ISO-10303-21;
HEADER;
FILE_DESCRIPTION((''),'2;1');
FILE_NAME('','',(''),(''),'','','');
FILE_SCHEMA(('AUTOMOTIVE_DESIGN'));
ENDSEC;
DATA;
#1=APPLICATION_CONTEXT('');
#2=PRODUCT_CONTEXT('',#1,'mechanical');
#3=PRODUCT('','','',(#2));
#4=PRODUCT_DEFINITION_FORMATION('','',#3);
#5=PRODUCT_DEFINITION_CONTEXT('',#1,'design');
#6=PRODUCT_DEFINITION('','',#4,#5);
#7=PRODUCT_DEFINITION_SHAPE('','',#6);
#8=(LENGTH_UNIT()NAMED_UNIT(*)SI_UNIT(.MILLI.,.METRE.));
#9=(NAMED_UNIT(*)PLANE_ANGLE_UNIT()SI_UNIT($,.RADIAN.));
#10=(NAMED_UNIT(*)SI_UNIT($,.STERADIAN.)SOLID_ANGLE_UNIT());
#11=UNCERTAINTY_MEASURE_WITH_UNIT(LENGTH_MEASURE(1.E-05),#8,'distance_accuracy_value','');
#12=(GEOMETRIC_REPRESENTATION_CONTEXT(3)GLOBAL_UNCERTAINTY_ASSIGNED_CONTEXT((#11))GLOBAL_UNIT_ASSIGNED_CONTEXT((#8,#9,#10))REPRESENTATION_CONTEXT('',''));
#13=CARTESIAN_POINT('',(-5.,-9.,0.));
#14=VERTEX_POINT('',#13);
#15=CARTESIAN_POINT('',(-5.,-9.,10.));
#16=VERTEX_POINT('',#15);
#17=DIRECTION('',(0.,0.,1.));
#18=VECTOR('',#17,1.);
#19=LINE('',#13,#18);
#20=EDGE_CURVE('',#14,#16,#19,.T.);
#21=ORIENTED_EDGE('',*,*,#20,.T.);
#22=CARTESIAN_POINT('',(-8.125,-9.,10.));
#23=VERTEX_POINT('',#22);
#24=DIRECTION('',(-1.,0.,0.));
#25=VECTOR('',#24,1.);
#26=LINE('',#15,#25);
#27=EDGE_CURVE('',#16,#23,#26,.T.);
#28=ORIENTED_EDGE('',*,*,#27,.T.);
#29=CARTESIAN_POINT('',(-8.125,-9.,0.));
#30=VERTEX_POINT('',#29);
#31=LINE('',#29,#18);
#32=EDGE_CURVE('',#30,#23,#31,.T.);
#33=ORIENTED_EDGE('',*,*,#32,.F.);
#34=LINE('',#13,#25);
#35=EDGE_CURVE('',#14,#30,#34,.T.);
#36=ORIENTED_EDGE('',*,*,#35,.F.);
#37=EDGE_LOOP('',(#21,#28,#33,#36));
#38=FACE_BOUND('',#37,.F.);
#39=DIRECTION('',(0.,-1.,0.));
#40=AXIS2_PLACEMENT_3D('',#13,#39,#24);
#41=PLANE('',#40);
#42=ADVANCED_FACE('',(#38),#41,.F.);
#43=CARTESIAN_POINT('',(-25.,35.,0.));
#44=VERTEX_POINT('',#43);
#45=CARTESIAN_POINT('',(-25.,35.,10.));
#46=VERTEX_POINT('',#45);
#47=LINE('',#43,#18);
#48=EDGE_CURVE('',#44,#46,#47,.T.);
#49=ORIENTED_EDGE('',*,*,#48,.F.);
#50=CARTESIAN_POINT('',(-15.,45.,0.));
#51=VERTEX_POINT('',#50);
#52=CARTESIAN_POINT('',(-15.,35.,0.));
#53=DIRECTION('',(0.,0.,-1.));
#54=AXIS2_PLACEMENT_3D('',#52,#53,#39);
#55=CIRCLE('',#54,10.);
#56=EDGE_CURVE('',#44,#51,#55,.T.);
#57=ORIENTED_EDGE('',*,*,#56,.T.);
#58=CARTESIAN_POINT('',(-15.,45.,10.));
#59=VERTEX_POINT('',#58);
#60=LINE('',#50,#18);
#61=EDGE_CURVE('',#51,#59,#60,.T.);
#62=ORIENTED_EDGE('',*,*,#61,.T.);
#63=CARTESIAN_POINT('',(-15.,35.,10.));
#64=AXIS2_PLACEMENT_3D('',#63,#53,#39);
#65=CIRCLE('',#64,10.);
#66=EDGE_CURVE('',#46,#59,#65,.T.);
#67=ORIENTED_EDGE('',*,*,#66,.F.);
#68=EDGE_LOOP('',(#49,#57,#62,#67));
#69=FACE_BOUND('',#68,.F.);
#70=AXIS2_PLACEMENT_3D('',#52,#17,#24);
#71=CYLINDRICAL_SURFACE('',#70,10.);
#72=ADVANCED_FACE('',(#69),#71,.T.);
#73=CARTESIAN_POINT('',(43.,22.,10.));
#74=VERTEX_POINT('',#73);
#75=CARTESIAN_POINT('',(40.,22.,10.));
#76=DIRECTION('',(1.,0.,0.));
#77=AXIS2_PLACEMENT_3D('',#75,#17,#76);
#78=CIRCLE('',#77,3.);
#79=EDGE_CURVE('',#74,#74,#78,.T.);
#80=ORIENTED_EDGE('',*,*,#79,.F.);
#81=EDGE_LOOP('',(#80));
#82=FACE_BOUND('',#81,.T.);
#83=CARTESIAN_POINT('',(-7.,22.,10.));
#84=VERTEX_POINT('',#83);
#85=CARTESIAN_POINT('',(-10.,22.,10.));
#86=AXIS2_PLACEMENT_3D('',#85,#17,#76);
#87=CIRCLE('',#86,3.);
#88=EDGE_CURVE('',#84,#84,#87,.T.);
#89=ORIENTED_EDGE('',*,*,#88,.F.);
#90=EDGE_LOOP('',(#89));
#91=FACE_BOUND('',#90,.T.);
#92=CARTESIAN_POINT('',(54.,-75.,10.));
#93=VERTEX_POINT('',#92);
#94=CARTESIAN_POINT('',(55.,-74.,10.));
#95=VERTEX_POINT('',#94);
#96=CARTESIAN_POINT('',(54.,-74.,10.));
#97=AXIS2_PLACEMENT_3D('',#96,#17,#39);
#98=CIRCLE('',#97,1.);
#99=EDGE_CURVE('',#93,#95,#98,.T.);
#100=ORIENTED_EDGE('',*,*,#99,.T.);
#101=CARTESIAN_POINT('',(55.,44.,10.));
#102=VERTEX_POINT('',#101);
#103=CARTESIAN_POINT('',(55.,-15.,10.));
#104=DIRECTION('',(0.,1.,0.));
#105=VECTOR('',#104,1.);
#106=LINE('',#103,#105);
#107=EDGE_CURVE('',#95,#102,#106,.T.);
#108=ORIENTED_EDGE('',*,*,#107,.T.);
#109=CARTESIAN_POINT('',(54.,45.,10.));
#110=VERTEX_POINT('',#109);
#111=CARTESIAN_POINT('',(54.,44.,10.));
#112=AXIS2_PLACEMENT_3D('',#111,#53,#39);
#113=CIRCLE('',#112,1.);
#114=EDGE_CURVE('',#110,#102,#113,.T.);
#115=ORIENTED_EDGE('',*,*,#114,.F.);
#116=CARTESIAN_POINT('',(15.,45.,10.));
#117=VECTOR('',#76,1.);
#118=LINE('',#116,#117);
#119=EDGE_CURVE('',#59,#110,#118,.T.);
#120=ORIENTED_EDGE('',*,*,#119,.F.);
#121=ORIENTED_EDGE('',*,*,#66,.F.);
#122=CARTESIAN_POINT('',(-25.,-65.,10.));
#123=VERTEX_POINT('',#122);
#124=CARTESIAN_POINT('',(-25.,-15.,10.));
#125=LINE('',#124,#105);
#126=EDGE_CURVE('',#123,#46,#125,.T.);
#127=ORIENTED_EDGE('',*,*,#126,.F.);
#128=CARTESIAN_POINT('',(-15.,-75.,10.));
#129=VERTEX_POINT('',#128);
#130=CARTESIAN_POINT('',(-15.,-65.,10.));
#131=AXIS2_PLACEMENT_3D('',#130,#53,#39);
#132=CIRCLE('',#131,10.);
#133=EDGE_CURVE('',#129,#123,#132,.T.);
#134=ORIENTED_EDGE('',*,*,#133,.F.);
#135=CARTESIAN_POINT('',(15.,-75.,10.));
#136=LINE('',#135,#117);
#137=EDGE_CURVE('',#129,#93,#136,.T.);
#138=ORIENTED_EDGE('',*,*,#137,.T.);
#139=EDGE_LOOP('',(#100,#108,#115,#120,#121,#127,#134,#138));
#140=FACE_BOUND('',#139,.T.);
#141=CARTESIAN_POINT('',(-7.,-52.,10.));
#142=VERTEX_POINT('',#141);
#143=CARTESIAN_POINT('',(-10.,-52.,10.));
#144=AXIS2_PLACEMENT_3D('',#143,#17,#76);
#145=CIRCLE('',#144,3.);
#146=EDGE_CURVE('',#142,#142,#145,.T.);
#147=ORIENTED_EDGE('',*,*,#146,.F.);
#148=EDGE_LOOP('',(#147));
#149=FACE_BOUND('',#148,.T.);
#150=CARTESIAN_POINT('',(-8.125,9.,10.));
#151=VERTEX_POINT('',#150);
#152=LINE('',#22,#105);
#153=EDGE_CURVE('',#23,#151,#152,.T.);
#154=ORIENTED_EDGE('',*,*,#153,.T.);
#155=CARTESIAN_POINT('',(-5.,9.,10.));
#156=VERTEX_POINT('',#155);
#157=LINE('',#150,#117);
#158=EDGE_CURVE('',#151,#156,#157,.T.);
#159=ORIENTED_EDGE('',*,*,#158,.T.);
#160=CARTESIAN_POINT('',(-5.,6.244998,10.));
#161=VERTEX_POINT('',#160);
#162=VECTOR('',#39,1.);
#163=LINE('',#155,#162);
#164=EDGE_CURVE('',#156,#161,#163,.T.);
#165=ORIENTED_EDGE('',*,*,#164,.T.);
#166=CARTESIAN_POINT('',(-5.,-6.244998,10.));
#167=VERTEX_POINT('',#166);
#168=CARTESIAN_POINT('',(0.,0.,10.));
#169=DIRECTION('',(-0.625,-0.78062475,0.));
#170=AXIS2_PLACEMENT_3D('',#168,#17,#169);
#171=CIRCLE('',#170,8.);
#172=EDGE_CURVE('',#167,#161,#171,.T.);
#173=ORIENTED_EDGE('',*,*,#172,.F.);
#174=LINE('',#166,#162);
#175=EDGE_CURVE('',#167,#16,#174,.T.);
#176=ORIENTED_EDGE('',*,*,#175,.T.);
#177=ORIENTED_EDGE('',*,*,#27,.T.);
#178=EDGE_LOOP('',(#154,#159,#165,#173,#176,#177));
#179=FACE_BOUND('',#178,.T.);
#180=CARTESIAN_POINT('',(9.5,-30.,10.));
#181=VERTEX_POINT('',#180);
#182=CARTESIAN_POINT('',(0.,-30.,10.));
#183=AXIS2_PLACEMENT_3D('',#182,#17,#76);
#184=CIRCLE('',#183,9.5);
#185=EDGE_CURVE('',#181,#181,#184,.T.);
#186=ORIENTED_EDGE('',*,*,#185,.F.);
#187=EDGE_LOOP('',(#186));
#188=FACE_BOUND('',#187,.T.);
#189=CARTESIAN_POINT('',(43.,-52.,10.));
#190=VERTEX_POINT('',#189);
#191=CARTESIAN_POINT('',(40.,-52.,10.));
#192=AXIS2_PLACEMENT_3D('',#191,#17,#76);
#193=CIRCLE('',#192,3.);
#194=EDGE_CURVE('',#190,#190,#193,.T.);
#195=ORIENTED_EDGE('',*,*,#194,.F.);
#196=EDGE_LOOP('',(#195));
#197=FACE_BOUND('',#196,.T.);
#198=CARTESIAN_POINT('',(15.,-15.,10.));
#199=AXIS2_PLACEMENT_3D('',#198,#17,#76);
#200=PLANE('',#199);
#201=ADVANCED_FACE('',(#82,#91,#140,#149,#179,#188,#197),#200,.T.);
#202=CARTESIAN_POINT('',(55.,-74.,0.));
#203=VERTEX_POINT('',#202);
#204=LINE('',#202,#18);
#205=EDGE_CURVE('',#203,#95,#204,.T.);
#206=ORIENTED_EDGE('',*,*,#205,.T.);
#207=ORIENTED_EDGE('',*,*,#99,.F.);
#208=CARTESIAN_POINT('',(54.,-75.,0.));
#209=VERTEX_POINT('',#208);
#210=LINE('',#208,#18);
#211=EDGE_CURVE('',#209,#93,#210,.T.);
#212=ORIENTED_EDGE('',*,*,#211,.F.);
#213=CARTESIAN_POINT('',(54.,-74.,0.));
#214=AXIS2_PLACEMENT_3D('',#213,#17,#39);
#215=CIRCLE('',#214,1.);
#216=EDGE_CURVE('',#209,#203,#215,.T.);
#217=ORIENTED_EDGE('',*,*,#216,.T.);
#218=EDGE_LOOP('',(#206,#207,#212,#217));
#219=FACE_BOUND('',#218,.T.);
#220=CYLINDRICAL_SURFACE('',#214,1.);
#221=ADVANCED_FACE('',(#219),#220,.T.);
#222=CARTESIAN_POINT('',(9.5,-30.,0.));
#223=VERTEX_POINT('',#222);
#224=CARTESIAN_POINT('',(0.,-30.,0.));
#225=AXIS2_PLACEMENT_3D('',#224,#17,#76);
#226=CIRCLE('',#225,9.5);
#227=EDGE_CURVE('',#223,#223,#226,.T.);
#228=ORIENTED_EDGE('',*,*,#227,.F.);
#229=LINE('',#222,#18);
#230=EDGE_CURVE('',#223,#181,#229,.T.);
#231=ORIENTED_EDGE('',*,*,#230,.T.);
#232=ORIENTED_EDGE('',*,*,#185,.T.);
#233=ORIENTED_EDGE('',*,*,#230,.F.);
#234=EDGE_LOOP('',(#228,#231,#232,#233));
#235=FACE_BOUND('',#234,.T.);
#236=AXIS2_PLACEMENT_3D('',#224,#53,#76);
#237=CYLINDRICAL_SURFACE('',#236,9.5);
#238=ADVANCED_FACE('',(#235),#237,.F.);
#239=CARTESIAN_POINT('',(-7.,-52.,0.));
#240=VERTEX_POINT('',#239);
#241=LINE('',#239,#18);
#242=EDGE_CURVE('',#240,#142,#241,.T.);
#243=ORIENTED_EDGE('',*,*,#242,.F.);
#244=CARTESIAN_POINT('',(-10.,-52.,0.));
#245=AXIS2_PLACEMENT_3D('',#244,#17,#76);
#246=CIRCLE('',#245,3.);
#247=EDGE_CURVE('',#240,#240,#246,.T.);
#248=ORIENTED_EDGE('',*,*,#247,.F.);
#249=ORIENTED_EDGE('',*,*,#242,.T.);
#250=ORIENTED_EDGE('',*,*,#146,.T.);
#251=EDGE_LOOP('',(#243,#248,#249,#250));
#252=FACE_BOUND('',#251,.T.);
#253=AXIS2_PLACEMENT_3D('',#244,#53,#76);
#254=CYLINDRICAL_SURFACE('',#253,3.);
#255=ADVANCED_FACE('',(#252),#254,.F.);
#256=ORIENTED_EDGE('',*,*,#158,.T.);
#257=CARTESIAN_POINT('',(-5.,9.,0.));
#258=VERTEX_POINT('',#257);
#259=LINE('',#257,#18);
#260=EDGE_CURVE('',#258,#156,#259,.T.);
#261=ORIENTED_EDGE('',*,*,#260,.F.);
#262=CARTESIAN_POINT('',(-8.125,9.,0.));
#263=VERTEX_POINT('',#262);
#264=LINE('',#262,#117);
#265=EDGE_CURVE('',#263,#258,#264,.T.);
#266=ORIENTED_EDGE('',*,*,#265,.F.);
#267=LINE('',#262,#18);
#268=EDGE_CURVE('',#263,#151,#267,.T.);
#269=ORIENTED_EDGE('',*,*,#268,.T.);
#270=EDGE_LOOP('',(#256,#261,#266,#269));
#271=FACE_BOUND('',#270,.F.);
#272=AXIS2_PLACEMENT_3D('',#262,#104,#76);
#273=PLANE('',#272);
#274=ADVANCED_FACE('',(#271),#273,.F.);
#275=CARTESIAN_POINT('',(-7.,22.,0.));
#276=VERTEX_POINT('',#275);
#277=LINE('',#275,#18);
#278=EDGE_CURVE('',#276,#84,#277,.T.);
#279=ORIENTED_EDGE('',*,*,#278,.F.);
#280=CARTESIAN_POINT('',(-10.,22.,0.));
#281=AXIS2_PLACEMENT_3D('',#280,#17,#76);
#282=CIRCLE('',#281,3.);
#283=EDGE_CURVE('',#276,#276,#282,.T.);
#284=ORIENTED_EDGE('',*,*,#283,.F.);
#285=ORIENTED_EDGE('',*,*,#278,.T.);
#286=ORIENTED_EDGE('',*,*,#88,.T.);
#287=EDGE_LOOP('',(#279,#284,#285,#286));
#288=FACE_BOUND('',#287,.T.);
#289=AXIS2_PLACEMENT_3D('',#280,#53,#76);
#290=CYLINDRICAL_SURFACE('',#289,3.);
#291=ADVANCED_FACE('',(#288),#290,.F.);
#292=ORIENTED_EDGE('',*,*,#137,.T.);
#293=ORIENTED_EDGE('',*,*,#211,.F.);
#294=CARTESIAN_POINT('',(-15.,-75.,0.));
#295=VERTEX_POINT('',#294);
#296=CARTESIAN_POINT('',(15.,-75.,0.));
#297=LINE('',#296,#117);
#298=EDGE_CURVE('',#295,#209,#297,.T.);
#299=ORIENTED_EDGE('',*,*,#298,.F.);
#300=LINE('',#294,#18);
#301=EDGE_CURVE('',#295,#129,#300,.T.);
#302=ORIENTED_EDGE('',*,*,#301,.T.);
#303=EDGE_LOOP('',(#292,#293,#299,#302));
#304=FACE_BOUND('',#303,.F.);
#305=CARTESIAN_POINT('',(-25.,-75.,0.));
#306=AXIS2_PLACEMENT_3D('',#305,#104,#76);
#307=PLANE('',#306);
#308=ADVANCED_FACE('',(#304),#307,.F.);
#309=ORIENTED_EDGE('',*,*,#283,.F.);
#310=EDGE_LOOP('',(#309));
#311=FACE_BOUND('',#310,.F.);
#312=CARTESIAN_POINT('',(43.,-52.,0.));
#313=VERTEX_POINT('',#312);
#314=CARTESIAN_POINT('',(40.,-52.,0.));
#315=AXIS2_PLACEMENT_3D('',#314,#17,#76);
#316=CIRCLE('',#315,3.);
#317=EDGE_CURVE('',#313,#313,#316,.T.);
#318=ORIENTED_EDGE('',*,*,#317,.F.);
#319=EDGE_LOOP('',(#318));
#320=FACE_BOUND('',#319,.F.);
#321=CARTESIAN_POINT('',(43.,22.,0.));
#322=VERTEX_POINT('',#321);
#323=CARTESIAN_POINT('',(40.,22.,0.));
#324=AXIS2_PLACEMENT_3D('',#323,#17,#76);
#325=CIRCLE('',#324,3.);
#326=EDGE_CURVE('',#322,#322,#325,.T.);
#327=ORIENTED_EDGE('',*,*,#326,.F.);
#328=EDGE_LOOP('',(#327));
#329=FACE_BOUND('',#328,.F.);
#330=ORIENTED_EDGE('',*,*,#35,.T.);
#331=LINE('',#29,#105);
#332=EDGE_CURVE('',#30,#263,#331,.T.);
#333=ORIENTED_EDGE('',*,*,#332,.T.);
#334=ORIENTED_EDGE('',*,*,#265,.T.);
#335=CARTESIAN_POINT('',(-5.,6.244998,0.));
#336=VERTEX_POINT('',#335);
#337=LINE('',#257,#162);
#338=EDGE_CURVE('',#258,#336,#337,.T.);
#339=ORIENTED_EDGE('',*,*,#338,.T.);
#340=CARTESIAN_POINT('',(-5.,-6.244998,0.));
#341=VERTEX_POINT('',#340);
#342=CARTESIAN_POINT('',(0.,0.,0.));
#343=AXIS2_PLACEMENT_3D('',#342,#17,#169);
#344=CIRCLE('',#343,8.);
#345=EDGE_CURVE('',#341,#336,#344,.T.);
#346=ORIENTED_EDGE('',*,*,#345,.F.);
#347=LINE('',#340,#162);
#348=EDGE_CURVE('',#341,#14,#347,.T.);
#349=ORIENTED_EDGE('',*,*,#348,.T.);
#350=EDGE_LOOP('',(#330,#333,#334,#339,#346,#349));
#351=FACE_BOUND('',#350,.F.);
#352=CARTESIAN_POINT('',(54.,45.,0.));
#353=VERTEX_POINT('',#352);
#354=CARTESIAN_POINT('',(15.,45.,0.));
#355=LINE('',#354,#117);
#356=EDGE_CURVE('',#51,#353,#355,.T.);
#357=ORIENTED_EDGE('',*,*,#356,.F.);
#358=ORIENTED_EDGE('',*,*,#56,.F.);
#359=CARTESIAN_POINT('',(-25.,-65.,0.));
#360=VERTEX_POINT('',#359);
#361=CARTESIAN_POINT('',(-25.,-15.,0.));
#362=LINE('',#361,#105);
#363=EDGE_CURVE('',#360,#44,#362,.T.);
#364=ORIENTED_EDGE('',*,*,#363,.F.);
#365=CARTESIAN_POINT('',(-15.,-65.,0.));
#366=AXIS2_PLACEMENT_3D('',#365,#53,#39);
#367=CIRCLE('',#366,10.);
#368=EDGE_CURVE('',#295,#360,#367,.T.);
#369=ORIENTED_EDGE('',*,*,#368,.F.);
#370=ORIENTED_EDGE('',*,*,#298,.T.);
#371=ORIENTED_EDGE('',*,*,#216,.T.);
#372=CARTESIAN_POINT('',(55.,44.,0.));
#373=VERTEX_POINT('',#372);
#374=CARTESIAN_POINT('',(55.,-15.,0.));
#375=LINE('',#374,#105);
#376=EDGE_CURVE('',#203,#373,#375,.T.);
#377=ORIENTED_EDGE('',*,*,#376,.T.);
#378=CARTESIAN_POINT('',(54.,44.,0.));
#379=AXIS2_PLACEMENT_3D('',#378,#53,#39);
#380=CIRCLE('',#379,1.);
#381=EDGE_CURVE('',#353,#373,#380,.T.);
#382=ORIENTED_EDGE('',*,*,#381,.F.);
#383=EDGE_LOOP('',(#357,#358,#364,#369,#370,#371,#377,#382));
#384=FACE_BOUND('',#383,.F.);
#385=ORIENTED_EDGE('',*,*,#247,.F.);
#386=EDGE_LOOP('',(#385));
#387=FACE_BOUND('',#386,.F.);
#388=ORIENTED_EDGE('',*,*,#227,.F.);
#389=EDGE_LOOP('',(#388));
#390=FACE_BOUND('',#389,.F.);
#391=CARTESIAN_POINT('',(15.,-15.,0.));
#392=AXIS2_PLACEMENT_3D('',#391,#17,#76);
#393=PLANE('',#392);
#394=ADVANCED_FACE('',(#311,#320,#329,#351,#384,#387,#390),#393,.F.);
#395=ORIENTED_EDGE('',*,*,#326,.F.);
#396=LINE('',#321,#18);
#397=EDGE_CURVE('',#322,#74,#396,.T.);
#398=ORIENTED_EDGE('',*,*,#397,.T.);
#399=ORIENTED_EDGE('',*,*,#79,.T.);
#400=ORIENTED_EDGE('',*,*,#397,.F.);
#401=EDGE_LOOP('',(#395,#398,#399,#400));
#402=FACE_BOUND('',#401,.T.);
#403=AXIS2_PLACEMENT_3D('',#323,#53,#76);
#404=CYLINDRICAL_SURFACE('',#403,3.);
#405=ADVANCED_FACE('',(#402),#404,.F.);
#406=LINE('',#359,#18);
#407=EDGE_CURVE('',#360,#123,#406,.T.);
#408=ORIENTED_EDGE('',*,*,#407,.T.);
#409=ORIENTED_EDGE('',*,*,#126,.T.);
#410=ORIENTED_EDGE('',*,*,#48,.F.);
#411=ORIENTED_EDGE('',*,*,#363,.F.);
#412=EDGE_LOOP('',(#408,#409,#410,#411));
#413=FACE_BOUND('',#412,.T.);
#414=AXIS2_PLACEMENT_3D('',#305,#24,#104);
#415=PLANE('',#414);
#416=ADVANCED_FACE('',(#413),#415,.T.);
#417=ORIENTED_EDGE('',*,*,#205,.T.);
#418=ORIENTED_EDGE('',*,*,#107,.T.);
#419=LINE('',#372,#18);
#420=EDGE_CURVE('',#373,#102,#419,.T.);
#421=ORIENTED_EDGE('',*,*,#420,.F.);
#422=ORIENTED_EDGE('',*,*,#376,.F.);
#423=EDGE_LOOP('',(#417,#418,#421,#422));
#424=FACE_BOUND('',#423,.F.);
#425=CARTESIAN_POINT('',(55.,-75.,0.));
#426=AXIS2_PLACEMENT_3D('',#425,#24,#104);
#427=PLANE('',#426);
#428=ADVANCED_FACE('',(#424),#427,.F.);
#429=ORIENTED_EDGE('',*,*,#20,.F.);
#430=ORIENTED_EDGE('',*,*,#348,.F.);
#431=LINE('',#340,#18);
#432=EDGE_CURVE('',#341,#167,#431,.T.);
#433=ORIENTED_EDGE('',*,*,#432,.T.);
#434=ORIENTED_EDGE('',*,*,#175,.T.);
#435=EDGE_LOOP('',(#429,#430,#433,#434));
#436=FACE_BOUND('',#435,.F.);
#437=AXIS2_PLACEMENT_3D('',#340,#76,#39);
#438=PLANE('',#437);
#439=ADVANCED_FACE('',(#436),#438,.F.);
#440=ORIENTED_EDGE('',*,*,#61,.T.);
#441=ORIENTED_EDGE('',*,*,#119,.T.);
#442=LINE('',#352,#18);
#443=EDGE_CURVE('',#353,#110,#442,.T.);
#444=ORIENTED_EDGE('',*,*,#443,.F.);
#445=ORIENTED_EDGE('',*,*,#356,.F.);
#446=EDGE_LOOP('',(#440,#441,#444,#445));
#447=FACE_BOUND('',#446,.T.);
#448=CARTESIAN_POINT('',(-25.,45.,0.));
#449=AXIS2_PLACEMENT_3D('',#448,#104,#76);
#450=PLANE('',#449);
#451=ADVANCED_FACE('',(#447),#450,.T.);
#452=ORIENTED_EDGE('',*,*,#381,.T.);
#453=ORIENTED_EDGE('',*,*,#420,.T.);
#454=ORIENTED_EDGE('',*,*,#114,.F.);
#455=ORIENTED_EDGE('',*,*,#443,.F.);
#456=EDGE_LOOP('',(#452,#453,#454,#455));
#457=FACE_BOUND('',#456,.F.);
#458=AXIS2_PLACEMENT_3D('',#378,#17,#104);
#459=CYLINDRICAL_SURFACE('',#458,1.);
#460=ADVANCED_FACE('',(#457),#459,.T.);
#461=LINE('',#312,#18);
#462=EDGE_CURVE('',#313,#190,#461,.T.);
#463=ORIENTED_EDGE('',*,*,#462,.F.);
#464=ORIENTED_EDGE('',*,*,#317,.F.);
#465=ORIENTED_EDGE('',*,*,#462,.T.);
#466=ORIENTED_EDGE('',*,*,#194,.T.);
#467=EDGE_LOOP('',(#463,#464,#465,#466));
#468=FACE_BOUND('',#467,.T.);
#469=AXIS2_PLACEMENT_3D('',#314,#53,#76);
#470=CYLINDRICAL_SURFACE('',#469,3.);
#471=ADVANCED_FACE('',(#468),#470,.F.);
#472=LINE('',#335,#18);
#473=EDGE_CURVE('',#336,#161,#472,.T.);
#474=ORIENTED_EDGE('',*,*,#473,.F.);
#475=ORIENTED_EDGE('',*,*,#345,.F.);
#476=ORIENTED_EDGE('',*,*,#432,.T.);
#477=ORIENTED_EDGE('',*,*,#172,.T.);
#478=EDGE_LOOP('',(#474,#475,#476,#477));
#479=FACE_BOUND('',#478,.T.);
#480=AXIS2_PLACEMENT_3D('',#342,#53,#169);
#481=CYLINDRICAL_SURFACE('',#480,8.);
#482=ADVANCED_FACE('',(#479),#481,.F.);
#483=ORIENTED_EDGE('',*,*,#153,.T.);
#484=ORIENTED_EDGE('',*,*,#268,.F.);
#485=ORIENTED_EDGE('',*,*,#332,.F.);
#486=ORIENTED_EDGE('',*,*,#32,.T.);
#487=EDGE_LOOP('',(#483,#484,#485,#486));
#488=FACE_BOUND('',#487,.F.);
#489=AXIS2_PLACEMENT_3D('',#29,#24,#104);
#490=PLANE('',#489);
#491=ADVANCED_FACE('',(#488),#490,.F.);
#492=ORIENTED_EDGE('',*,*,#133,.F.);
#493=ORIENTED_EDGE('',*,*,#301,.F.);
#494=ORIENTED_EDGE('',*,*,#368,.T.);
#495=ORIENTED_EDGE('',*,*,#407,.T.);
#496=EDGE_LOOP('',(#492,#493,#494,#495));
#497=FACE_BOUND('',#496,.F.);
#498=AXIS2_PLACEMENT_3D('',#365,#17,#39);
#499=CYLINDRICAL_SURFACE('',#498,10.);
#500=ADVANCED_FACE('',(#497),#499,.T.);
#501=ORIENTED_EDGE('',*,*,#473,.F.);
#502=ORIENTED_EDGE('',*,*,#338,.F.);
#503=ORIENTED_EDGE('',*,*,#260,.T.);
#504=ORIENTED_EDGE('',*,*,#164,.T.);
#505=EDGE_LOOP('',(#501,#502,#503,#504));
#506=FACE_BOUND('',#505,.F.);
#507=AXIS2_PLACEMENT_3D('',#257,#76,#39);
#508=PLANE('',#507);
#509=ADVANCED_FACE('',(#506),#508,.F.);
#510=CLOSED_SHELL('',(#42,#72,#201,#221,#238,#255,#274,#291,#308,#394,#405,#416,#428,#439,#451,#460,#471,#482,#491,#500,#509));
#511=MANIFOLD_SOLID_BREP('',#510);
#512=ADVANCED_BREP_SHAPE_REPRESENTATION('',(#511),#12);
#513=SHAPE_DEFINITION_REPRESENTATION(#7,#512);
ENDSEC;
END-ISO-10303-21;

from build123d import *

# Parameters (mm, degrees)
SKETCH_W    = 80
SKETCH_H    = 120
SKETCH_R    = 9.5
SKETCH_R_2  = 3
PAD_DEPTH   = 10
FILLET_R    = 1
FILLET001_R = 10


with BuildPart() as part:
    # Sketch → Pad (new body)
    with BuildSketch(Plane.XY):
        with Locations((15, -15)):
            Rectangle(SKETCH_W, SKETCH_H)
        with Locations((0, -30)):
            Circle(SKETCH_R, mode=Mode.SUBTRACT)
        with Locations((-10, -52)):
            Circle(SKETCH_R_2, mode=Mode.SUBTRACT)
        with Locations((40, -52)):
            Circle(SKETCH_R_2, mode=Mode.SUBTRACT)
        with Locations((40, 22)):
            Circle(SKETCH_R_2, mode=Mode.SUBTRACT)
        with Locations((-10, 22)):
            Circle(SKETCH_R_2, mode=Mode.SUBTRACT)
        with BuildLine():
            ThreePointArc((-5, -6.244998), (8, 0), (-5, 6.244998))
            Line((-5, 9), (-5, 6.244998))
            Line((-8.125, 9), (-5, 9))
            Line((-8.125, -9), (-8.125, 9))
            Line((-5, -9), (-8.125, -9))
            Line((-5, -6.244998), (-5, -9))
        make_face(mode=Mode.SUBTRACT)
    extrude(amount=PAD_DEPTH)

    # Fillet
    fillet_edges = [part.edges().sort_by_distance(p)[0] for p in [
        (55, -75, 5),
        (55, 45, 5),
    ]]
    fillet(fillet_edges, radius=FILLET_R)

    # Fillet001
    fillet001_edges = [part.edges().sort_by_distance(p)[0] for p in [
        (-25, -75, 5),
        (-25, 45, 5),
    ]]
    fillet(fillet001_edges, radius=FILLET001_R)


solid = part.part
